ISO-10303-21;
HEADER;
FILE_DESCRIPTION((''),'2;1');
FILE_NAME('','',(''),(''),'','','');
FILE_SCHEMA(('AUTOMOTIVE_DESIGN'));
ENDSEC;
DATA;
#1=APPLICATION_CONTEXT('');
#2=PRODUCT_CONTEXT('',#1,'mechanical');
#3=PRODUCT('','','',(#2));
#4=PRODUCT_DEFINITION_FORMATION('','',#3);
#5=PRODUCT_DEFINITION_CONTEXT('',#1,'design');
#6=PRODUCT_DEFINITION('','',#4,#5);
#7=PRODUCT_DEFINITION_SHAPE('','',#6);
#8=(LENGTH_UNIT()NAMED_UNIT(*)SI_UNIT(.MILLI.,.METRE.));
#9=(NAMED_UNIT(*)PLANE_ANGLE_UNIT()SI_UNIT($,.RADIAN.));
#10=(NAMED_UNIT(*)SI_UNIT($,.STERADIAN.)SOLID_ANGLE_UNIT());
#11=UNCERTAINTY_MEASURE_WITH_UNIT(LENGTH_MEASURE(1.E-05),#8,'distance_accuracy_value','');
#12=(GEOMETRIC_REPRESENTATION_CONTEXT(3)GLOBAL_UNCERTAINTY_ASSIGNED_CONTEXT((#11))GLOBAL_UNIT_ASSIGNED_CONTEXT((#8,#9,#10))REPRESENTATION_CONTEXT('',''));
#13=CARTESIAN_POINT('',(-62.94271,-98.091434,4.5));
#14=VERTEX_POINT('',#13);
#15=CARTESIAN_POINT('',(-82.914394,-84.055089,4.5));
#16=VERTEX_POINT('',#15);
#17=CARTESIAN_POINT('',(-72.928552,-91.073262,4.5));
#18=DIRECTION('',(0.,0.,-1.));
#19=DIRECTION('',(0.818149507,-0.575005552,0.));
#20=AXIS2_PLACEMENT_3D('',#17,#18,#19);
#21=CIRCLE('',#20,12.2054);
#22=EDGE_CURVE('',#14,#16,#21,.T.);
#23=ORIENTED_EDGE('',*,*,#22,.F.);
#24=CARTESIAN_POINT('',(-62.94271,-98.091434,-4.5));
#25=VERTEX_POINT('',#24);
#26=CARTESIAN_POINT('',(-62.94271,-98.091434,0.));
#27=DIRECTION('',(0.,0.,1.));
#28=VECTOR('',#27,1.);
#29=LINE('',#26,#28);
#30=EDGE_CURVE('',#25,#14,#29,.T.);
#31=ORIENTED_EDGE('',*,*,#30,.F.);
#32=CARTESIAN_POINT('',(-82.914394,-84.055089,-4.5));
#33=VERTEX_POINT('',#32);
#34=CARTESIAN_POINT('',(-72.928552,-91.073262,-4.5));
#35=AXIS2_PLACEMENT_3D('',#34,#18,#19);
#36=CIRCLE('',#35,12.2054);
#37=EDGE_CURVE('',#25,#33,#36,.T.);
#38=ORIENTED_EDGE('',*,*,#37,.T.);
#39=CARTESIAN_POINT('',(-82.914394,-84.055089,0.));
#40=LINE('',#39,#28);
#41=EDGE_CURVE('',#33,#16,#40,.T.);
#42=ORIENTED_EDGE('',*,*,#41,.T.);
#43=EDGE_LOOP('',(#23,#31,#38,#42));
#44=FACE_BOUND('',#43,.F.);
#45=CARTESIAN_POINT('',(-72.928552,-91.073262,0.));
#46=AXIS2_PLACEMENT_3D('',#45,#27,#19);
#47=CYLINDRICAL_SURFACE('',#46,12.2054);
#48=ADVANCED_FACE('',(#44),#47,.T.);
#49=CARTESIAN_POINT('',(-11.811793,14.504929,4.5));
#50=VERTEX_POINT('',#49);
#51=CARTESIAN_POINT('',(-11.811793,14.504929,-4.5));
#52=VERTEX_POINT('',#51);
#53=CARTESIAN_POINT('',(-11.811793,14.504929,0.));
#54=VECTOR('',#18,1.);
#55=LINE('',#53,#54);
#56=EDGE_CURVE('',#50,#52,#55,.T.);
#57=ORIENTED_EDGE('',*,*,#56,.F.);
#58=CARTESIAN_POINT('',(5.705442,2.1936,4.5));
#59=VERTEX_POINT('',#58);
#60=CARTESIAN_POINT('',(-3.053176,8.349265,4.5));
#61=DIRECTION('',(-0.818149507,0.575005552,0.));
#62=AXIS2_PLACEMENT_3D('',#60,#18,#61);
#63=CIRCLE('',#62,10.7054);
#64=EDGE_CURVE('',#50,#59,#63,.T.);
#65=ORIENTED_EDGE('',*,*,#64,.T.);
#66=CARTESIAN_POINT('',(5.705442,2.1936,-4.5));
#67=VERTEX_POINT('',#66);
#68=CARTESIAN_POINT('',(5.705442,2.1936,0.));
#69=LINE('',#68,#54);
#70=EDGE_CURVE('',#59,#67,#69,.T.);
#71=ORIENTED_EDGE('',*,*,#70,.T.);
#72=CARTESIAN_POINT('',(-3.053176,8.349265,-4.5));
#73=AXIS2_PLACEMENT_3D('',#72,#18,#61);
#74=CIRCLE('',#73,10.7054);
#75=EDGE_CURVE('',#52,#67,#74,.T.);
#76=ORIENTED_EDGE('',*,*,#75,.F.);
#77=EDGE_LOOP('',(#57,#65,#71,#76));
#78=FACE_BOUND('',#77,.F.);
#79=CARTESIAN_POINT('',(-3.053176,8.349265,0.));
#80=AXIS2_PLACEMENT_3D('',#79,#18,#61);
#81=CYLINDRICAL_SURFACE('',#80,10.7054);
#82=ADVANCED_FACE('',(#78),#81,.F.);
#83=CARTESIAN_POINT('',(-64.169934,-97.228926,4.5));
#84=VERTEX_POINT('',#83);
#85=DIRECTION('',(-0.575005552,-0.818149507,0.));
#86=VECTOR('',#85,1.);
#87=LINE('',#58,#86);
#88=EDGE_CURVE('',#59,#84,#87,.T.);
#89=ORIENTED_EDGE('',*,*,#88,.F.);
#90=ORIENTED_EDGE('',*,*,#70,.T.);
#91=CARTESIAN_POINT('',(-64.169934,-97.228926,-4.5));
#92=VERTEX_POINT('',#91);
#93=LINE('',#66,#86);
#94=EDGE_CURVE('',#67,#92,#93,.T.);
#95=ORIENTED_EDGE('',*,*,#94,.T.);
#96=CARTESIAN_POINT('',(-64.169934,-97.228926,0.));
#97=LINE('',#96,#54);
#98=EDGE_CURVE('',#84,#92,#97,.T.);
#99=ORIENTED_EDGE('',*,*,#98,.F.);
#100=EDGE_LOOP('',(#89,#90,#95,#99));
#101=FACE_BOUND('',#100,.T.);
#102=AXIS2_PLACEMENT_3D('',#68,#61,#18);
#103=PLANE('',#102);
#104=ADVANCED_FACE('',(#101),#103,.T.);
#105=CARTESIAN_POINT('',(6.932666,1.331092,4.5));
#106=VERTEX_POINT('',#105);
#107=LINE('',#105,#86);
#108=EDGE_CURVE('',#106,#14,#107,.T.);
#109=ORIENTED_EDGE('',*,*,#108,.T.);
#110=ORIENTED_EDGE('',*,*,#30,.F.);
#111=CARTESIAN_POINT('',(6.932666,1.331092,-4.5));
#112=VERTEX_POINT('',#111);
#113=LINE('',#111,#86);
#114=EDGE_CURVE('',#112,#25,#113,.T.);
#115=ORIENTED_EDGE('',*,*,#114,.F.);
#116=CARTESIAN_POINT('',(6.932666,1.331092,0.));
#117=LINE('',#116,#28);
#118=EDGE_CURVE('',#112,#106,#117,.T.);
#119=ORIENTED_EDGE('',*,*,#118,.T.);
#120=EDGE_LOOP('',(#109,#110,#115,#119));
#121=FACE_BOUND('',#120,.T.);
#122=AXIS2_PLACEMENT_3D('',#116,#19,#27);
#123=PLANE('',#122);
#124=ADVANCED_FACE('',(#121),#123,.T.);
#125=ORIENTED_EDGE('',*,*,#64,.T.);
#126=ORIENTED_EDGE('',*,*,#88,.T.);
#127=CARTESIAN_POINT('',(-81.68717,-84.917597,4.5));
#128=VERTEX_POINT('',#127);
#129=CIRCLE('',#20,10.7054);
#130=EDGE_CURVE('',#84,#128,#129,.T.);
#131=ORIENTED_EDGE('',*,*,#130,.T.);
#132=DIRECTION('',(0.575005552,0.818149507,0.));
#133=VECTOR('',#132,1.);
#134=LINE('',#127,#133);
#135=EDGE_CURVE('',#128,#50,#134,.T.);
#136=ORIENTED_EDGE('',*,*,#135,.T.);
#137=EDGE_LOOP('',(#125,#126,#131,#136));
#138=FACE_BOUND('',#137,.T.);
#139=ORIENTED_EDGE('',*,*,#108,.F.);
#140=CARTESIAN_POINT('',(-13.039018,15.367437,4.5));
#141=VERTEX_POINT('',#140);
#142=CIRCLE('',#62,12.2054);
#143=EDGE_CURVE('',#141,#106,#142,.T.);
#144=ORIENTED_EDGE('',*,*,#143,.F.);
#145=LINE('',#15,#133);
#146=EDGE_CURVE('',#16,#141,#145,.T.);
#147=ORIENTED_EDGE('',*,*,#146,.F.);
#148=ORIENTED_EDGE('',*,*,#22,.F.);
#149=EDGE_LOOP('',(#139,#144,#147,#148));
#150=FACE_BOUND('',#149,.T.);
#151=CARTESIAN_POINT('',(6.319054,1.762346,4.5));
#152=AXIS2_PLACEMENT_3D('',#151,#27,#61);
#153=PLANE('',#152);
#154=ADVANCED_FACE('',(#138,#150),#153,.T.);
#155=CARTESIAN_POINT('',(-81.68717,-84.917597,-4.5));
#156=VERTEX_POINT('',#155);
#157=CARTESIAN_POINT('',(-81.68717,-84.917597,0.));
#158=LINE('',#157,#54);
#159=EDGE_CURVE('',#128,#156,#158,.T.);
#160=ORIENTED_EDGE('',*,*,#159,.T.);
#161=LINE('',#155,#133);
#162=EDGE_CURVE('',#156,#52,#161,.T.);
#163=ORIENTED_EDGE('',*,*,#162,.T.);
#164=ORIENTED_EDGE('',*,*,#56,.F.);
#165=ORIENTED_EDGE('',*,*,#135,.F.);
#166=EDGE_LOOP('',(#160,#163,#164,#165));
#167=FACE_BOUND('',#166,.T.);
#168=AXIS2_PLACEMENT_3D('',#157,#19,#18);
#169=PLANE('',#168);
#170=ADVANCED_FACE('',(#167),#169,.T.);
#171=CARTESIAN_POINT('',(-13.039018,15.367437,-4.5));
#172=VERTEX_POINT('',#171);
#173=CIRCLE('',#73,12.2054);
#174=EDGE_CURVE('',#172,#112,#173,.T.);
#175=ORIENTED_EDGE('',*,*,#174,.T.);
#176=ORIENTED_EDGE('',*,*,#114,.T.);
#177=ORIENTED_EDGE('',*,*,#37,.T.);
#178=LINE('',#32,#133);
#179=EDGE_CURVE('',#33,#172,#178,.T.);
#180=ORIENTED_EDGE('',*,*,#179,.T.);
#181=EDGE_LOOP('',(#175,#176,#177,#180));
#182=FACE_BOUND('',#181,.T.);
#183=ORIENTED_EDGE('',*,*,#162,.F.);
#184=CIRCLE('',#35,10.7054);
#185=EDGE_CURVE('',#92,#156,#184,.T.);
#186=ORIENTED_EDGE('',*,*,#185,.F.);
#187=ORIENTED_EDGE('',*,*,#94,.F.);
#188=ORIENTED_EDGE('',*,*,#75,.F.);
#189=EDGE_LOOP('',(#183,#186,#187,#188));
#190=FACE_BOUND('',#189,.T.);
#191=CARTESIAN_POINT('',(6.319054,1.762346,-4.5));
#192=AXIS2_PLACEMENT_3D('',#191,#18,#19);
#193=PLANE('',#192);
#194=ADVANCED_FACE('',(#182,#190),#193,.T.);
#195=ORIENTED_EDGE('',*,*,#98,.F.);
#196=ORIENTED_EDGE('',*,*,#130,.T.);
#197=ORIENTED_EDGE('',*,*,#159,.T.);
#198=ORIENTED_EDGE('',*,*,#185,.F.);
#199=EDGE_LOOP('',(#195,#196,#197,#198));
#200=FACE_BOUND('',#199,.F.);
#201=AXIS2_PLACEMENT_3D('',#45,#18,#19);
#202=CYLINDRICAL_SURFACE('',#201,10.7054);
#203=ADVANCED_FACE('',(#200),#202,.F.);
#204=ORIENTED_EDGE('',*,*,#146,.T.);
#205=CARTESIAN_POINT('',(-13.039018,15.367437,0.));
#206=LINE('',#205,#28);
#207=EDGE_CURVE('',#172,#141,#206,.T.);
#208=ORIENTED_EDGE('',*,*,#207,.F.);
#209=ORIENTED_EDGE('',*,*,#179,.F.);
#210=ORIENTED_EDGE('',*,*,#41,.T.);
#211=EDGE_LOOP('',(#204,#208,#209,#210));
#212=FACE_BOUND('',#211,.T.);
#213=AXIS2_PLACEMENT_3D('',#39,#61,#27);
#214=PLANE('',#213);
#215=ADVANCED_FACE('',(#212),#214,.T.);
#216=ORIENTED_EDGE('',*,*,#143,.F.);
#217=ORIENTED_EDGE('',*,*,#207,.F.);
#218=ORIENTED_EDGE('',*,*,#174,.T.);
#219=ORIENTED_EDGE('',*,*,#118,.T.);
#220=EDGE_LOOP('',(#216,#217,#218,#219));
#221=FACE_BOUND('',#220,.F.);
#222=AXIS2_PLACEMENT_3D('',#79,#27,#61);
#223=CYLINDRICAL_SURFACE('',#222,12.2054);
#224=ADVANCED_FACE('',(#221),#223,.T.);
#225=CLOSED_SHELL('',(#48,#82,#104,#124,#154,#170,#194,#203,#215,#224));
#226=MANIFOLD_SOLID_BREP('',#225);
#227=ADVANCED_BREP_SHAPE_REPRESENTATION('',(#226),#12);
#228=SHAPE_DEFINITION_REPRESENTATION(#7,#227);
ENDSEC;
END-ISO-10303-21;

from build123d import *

# Parameters (mm, degrees)
SKETCH2_W = 1.5
SKETCH2_H = 9


with BuildPart() as part:
    # Sweep1: sweep along a path in Sketch1
    with BuildLine(Plane.XY) as sweep1_path:
        Line((6.319054119, 1.762345914), (-63.556322052, -97.660180283))
        ThreePointArc((-63.556322052, -97.660180283), (-79.51547051, -100.445491543), (-82.30078177, -84.486343085))
        Line((-82.30078177, -84.486343085), (-12.425405599, 14.936183112))
        ThreePointArc((-12.425405599, 14.936183112), (3.533742859, 17.721494372), (6.319054119, 1.762345914))
    # Sketch2 → Sweep1 (sweep)
    with BuildSketch(Plane(origin=(-12.425405599, 14.936183112, 0), x_dir=(0.818149507, -0.575005552, 0), z_dir=(0.575005552, 0.818149507, 0))):
        Rectangle(SKETCH2_W, SKETCH2_H)
    sweep(path=sweep1_path.line)


solid = part.part
